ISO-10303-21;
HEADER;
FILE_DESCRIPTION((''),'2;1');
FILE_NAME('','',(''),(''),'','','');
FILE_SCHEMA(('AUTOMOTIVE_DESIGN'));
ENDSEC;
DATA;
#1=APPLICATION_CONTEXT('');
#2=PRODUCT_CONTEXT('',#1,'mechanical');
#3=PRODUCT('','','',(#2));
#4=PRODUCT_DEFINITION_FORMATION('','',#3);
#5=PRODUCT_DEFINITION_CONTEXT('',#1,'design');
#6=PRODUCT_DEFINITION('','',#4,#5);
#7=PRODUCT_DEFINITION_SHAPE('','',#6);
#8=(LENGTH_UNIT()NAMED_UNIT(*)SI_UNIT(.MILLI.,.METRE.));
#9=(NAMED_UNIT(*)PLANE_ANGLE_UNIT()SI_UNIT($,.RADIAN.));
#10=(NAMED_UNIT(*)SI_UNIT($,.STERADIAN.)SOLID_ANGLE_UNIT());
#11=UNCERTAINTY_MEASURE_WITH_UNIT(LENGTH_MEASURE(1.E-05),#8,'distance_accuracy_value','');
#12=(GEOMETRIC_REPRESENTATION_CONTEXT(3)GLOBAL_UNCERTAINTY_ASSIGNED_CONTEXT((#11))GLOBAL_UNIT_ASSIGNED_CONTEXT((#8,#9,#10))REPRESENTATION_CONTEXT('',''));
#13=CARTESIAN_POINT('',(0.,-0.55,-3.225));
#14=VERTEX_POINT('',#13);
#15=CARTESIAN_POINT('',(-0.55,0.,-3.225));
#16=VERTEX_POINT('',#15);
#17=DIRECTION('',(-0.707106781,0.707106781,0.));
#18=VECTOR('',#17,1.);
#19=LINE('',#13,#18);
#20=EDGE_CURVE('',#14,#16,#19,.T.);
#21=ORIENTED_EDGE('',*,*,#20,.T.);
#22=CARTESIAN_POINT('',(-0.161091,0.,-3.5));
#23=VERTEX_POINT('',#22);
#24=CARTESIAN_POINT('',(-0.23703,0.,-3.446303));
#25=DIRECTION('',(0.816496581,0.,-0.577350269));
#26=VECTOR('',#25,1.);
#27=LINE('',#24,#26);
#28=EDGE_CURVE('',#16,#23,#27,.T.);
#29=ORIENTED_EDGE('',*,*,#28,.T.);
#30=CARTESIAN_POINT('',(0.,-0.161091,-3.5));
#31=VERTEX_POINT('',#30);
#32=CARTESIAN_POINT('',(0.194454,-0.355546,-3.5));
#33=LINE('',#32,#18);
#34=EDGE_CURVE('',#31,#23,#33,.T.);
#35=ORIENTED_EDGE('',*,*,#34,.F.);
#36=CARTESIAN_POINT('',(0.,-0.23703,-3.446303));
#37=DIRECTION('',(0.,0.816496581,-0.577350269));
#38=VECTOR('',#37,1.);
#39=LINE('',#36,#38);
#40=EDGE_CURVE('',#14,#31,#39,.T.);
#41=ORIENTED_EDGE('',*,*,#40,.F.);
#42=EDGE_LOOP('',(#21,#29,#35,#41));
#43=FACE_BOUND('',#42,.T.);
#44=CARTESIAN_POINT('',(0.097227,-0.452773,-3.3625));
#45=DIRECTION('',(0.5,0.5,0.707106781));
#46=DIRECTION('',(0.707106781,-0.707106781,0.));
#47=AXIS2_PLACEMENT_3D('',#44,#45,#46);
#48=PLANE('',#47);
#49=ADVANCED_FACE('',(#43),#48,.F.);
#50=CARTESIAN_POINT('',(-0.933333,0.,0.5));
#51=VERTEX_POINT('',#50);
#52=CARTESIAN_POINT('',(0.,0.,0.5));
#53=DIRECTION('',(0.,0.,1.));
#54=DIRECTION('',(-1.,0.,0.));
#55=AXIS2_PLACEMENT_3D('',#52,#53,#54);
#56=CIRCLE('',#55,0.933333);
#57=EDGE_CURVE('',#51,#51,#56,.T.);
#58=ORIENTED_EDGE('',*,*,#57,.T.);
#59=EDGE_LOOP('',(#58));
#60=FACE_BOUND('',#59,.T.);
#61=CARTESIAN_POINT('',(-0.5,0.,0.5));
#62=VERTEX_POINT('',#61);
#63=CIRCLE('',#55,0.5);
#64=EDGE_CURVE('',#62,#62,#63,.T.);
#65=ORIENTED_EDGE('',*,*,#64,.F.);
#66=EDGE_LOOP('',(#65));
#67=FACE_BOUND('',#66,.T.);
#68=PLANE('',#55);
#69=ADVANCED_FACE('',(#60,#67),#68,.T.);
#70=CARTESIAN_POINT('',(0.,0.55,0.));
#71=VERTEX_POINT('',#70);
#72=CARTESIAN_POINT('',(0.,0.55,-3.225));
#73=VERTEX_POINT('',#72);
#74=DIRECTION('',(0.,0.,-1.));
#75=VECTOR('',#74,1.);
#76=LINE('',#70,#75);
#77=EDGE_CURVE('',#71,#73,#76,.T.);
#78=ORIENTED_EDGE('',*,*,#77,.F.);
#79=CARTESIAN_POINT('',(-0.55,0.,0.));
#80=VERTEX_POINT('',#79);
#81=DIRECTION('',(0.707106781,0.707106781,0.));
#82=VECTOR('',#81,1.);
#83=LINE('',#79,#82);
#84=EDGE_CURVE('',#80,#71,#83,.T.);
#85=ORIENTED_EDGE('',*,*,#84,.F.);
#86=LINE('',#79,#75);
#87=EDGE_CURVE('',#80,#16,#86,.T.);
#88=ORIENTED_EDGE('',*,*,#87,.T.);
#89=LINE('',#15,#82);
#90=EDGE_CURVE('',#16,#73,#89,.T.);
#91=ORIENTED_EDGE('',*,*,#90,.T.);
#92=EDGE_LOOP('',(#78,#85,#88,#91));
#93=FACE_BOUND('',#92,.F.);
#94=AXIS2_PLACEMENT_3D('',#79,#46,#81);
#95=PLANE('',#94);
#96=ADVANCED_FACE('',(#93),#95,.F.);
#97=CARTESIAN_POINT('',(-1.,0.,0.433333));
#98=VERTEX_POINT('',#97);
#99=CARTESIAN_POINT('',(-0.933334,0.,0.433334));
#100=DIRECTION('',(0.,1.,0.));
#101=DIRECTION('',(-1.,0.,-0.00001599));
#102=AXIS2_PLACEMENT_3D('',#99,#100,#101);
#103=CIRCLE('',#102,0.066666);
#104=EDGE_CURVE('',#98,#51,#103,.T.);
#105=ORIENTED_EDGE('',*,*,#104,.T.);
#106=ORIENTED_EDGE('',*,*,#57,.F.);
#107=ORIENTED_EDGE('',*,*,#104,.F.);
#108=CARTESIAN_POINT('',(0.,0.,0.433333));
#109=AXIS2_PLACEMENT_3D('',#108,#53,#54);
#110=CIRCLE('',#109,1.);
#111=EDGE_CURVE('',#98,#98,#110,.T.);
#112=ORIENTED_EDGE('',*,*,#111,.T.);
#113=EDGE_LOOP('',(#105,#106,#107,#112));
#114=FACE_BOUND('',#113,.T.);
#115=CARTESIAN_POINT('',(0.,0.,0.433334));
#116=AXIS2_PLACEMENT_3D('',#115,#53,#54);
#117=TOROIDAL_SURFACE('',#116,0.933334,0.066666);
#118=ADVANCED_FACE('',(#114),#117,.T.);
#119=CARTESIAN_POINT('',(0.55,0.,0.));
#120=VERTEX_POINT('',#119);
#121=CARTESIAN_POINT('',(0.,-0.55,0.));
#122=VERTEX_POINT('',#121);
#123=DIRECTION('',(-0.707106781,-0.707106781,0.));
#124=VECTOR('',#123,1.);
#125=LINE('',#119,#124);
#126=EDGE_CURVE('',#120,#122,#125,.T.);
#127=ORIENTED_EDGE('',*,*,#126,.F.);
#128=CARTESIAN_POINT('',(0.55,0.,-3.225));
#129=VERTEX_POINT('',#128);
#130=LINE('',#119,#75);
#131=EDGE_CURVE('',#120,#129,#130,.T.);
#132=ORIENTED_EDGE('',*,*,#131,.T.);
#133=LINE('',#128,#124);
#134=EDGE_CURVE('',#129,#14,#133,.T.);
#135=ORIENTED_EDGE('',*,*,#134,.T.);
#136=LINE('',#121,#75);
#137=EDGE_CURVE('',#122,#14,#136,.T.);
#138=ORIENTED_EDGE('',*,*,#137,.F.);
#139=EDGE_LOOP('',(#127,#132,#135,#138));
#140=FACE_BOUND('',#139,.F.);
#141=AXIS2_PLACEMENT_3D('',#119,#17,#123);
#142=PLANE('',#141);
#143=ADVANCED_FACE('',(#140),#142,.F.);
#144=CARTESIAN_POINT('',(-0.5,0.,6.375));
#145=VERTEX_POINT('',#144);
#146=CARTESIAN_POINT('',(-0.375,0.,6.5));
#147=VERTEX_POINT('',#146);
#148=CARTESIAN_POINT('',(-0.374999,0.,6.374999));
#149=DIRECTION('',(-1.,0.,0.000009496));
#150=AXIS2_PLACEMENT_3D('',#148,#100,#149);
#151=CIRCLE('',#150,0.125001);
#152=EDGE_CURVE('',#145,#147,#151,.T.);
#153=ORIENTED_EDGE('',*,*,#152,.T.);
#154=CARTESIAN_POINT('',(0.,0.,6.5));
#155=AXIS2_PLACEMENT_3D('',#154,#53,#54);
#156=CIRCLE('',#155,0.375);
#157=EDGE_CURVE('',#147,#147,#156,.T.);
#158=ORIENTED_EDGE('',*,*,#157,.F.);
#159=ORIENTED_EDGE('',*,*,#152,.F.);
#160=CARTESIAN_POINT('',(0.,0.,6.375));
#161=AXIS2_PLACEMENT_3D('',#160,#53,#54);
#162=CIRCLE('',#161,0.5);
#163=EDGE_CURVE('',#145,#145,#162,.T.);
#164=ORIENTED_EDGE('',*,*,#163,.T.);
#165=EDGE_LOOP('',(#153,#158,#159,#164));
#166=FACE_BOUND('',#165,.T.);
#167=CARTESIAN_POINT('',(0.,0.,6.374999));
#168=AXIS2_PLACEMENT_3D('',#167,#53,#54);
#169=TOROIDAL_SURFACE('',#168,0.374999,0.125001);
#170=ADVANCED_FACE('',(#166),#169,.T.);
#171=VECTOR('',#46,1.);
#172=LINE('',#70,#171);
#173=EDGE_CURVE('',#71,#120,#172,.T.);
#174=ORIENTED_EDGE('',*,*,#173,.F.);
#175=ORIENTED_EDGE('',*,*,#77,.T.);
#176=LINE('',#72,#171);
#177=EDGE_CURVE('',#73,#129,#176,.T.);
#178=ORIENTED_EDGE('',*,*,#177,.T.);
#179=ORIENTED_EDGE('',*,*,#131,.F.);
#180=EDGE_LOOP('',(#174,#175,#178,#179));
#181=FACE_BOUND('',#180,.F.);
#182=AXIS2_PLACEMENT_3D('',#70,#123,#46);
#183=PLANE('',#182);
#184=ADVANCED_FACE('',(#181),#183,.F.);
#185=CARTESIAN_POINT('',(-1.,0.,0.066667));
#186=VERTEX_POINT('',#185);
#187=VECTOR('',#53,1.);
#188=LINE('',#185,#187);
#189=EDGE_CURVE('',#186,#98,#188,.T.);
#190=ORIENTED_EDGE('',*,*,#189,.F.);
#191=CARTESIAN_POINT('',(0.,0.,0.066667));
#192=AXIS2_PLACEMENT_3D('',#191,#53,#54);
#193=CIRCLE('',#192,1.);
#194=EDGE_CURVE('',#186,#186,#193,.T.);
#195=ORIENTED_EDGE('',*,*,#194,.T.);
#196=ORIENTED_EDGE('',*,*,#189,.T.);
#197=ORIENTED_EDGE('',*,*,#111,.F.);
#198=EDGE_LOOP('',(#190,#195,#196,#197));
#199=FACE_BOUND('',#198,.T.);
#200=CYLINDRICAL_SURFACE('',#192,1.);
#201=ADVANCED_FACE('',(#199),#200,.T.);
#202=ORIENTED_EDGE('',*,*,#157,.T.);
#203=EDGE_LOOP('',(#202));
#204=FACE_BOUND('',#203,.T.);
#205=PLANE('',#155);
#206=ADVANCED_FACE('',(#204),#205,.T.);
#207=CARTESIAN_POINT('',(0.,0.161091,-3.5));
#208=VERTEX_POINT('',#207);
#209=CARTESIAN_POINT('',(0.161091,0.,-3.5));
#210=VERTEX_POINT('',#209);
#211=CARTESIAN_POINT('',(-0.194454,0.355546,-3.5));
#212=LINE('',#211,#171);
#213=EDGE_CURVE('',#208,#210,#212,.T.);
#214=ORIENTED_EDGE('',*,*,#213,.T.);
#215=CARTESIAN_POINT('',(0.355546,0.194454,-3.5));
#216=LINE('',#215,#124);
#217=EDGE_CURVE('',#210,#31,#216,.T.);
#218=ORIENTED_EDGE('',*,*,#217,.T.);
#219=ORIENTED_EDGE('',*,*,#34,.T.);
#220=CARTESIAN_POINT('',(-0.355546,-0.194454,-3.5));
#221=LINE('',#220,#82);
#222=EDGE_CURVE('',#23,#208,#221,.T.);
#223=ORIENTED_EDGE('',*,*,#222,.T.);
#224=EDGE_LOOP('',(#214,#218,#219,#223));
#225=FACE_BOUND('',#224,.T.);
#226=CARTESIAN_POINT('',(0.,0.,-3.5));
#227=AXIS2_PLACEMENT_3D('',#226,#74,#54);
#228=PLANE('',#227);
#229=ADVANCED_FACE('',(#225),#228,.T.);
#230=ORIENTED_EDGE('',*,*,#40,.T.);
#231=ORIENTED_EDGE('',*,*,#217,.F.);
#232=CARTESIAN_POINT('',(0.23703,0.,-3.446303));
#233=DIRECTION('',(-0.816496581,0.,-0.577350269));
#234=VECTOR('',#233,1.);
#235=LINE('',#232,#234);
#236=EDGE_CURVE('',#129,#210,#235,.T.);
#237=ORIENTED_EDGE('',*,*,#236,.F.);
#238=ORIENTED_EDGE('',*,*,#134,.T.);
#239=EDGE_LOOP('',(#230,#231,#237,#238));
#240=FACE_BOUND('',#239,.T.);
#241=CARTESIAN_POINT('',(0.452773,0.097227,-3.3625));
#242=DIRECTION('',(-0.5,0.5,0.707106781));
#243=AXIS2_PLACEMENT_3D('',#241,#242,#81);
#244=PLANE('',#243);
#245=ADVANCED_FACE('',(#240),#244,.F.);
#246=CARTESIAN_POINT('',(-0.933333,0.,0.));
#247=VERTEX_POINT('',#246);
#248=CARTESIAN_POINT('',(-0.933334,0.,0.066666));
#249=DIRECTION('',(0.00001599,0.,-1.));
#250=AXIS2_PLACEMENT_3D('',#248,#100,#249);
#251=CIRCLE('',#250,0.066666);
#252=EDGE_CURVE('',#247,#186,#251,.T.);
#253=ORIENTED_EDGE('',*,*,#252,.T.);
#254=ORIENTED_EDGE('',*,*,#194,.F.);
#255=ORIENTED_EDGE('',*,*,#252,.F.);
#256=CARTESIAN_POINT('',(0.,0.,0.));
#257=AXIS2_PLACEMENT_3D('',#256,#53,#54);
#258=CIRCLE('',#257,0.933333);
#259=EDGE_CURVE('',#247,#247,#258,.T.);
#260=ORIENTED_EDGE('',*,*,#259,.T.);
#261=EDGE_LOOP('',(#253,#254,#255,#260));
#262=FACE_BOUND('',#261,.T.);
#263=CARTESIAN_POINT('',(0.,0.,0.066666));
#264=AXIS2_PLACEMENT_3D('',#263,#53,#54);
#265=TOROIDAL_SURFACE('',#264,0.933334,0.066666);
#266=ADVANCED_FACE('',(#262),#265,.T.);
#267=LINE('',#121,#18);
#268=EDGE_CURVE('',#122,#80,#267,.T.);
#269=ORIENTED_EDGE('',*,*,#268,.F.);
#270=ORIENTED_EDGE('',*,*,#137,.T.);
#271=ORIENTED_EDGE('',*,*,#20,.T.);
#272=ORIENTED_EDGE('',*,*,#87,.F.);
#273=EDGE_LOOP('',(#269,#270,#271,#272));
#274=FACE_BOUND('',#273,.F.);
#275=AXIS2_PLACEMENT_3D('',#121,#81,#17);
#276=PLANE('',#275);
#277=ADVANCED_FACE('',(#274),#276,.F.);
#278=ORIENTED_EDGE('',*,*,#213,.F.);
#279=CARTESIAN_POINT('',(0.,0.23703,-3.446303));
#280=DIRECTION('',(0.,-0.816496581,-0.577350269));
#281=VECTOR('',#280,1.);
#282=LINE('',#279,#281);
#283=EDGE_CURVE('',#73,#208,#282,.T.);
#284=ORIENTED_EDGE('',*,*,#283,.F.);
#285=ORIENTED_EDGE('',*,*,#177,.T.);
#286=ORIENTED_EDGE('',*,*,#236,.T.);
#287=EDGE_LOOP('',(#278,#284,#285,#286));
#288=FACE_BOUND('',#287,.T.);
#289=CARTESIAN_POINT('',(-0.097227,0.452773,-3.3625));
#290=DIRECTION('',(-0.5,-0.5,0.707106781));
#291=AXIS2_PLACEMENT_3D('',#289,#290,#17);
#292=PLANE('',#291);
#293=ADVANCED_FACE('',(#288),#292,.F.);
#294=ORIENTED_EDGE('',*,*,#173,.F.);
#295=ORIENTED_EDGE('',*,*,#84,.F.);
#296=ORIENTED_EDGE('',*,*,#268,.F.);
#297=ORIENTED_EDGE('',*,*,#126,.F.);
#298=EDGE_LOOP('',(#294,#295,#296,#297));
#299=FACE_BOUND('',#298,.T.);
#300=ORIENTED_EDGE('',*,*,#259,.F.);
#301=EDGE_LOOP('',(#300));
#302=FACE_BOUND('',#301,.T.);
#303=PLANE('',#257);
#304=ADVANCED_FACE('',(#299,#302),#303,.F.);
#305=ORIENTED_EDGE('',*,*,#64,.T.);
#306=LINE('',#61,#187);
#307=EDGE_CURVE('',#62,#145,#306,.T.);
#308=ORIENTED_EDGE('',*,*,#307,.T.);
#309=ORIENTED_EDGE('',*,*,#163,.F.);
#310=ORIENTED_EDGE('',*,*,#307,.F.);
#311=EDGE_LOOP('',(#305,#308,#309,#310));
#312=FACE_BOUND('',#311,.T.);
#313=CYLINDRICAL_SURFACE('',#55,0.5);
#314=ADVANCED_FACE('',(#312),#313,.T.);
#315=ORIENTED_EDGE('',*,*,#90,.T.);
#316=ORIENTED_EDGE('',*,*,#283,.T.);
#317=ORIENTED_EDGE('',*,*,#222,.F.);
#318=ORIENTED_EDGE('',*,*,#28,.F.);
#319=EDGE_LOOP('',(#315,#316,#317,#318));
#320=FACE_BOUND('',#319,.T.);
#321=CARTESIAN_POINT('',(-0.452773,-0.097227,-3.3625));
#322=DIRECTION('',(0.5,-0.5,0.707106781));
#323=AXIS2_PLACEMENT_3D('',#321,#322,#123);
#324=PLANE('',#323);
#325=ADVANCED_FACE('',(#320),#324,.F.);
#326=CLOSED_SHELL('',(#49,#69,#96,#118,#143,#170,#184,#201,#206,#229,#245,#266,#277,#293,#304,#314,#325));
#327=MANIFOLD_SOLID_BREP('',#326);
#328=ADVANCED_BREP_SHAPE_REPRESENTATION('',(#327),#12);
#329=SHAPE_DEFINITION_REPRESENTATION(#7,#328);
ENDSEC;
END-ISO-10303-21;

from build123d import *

# Parameters (mm, degrees)
PAD_DEPTH    = 3.5
CHAMFER_SIZE = 0.275


with BuildPart() as part:
    # Sketch → Revolution (revolve)
    with BuildSketch(Plane(origin=(0, 0, 0), x_dir=(-1, 0, 0), z_dir=(0, 1, 0))):
        with BuildLine():
            Line((0, 0), (0.933333, 0))
            ThreePointArc((0.933333, 0), (0.980474, 0.019526), (1, 0.066667))
            Line((1, 0.066667), (1, 0.433333))
            ThreePointArc((1, 0.433333), (0.980474, 0.480474), (0.933333, 0.5))
            Line((0.933333, 0.5), (0.5, 0.5))
            Line((0.5, 0.5), (0.5, 6.375))
            ThreePointArc((0.5, 6.375), (0.463388, 6.463388), (0.375, 6.5))
            Line((0.375, 6.5), (0, 6.5))
            Line((0, 6.5), (0, 0))
        make_face()
    revolve(axis=Axis((0, 0, 0), (0, 0, 1)))

    # Sketch001 → Pad (new body)
    with BuildSketch(Plane.XY):
        Polygon((-0.55, 0), (0, 0.55), (0.55, 0), (0, -0.55), align=None)
    extrude(amount=-PAD_DEPTH)

    # Chamfer
    chamfer_edges = [part.edges().sort_by_distance(p)[0] for p in [
        (0.275, -0.275, -3.5),
        (-0.275, -0.275, -3.5),
        (-0.275, 0.275, -3.5),
        (0.275, 0.275, -3.5),
    ]]
    chamfer(chamfer_edges, length=CHAMFER_SIZE)


solid = part.part
